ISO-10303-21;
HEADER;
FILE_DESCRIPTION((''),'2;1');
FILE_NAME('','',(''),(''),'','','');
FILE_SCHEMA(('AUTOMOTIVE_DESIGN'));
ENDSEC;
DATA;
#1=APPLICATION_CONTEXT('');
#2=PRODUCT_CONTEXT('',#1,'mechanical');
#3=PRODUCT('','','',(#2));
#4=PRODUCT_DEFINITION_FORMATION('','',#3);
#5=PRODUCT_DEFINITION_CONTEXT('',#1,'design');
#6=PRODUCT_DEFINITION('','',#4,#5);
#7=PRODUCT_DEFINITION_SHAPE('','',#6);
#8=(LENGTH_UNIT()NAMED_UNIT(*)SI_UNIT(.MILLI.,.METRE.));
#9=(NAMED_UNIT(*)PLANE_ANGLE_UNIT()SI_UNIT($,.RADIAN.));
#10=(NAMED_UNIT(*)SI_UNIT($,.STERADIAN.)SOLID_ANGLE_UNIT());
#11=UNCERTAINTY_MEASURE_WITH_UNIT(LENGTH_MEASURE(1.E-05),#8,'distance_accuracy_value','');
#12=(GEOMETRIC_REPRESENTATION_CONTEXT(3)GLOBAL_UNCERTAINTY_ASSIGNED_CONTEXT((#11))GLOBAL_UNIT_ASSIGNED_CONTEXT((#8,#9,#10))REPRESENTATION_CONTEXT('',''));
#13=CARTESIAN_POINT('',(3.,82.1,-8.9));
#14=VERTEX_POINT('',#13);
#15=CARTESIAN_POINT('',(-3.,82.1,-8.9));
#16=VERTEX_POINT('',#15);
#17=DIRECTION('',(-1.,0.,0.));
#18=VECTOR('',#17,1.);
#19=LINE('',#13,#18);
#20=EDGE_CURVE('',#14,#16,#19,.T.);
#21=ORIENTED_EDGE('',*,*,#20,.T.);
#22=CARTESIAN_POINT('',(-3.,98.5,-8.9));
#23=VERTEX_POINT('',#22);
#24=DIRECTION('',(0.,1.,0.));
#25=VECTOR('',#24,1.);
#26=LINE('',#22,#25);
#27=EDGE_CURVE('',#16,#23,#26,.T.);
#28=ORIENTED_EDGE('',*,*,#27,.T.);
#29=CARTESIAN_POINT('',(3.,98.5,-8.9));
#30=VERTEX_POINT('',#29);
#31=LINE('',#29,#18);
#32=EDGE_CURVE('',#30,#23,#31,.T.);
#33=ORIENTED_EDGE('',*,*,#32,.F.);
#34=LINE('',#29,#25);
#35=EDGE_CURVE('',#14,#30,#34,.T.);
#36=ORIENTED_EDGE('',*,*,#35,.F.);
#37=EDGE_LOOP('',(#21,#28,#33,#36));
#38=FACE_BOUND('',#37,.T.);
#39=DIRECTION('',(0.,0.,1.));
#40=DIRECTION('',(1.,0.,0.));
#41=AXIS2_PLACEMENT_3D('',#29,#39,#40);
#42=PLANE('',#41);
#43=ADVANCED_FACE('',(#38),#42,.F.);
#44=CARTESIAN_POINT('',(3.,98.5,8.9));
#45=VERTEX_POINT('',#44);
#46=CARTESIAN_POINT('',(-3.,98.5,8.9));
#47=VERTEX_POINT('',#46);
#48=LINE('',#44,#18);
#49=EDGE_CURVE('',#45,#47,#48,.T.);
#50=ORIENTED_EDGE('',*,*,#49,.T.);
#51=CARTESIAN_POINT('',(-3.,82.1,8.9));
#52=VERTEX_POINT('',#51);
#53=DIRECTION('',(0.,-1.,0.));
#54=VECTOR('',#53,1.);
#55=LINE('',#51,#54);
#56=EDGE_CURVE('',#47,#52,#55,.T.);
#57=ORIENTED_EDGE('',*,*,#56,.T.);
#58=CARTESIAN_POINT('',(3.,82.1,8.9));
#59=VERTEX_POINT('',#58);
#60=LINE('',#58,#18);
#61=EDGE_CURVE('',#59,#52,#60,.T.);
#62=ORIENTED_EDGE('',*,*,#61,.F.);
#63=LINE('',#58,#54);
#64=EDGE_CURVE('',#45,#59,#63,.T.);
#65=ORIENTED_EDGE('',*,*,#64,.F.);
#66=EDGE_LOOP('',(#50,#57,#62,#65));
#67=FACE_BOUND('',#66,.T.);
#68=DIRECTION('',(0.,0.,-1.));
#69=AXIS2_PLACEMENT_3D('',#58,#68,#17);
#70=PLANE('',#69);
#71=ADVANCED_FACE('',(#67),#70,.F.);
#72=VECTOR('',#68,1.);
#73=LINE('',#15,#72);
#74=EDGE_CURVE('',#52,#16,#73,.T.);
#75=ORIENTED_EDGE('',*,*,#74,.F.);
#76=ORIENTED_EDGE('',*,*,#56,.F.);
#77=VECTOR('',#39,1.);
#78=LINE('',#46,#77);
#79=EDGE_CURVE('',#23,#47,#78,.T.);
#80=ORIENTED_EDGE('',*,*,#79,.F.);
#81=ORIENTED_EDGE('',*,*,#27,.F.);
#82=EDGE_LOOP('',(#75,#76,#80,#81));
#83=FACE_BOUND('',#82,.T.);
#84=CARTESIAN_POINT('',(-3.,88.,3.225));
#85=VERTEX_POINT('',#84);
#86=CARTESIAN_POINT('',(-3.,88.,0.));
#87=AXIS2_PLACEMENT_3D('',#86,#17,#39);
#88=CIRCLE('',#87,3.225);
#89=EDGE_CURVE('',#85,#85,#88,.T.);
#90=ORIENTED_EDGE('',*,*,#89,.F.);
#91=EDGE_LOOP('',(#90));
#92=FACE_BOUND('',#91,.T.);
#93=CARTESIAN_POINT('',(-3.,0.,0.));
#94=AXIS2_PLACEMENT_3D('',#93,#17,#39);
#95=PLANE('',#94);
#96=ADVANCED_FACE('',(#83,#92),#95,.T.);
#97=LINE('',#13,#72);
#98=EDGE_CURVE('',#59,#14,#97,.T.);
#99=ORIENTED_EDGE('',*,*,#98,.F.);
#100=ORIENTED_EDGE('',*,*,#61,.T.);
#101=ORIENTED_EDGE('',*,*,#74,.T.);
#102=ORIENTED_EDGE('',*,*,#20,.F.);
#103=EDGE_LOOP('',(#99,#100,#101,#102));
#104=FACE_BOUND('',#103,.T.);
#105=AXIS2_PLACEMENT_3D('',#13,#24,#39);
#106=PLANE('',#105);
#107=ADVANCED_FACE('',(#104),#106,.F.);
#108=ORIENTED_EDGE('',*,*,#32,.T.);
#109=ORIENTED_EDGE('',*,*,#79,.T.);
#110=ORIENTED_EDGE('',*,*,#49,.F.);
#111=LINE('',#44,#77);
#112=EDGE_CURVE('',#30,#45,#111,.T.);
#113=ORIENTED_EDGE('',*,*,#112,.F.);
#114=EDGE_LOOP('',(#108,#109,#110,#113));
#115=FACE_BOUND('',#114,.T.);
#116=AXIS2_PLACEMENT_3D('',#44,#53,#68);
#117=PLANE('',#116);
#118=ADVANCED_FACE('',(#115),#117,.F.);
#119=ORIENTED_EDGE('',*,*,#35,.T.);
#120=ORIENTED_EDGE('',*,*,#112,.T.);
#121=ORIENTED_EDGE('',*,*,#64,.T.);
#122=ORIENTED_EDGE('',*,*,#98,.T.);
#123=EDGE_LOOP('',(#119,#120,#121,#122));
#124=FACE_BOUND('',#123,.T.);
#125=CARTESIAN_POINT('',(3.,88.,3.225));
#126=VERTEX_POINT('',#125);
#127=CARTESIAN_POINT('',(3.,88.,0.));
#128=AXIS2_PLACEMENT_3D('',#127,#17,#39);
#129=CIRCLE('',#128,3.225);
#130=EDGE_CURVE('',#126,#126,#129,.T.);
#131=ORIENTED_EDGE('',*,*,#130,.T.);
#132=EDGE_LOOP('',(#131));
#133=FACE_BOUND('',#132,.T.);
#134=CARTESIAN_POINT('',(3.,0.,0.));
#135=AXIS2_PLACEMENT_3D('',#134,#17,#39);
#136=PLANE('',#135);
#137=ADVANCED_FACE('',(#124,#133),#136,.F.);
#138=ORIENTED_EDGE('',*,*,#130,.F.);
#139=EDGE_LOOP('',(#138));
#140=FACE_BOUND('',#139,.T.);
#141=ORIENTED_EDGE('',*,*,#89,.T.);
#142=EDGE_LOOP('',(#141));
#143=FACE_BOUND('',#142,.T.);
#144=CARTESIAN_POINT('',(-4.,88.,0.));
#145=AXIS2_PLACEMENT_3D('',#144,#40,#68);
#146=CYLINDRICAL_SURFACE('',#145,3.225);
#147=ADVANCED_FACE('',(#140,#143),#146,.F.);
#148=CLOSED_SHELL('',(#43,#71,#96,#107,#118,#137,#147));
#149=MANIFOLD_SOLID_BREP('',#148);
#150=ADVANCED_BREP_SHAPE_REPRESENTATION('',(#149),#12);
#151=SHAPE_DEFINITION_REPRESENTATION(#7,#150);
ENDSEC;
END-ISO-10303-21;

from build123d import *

# Parameters (mm, degrees)
BLOCK_SKETCH_W     = 17.8
BLOCK_SKETCH_H     = 16.4
BLOCK_DEPTH        = 3
TUBE_HOLE_SKETCH_R = 3.225
TUBE_HOLE_DEPTH    = 4


with BuildPart() as part:
    # Block Sketch → Block (new, symmetric)
    with BuildSketch(Plane(origin=(0, 0, 0), x_dir=(0, 0, -1), z_dir=(1, 0, 0))):
        with Locations((0, 90.3)):
            Rectangle(BLOCK_SKETCH_W, BLOCK_SKETCH_H)
    extrude(amount=BLOCK_DEPTH, both=True)

    # Tube Hole Sketch → Tube Hole (cut, symmetric)
    with BuildSketch(Plane(origin=(0, 0, 0), x_dir=(0, 0, -1), z_dir=(1, 0, 0))):
        with Locations((0, 88)):
            Circle(TUBE_HOLE_SKETCH_R)
    extrude(amount=TUBE_HOLE_DEPTH, both=True, mode=Mode.SUBTRACT)


solid = part.part
